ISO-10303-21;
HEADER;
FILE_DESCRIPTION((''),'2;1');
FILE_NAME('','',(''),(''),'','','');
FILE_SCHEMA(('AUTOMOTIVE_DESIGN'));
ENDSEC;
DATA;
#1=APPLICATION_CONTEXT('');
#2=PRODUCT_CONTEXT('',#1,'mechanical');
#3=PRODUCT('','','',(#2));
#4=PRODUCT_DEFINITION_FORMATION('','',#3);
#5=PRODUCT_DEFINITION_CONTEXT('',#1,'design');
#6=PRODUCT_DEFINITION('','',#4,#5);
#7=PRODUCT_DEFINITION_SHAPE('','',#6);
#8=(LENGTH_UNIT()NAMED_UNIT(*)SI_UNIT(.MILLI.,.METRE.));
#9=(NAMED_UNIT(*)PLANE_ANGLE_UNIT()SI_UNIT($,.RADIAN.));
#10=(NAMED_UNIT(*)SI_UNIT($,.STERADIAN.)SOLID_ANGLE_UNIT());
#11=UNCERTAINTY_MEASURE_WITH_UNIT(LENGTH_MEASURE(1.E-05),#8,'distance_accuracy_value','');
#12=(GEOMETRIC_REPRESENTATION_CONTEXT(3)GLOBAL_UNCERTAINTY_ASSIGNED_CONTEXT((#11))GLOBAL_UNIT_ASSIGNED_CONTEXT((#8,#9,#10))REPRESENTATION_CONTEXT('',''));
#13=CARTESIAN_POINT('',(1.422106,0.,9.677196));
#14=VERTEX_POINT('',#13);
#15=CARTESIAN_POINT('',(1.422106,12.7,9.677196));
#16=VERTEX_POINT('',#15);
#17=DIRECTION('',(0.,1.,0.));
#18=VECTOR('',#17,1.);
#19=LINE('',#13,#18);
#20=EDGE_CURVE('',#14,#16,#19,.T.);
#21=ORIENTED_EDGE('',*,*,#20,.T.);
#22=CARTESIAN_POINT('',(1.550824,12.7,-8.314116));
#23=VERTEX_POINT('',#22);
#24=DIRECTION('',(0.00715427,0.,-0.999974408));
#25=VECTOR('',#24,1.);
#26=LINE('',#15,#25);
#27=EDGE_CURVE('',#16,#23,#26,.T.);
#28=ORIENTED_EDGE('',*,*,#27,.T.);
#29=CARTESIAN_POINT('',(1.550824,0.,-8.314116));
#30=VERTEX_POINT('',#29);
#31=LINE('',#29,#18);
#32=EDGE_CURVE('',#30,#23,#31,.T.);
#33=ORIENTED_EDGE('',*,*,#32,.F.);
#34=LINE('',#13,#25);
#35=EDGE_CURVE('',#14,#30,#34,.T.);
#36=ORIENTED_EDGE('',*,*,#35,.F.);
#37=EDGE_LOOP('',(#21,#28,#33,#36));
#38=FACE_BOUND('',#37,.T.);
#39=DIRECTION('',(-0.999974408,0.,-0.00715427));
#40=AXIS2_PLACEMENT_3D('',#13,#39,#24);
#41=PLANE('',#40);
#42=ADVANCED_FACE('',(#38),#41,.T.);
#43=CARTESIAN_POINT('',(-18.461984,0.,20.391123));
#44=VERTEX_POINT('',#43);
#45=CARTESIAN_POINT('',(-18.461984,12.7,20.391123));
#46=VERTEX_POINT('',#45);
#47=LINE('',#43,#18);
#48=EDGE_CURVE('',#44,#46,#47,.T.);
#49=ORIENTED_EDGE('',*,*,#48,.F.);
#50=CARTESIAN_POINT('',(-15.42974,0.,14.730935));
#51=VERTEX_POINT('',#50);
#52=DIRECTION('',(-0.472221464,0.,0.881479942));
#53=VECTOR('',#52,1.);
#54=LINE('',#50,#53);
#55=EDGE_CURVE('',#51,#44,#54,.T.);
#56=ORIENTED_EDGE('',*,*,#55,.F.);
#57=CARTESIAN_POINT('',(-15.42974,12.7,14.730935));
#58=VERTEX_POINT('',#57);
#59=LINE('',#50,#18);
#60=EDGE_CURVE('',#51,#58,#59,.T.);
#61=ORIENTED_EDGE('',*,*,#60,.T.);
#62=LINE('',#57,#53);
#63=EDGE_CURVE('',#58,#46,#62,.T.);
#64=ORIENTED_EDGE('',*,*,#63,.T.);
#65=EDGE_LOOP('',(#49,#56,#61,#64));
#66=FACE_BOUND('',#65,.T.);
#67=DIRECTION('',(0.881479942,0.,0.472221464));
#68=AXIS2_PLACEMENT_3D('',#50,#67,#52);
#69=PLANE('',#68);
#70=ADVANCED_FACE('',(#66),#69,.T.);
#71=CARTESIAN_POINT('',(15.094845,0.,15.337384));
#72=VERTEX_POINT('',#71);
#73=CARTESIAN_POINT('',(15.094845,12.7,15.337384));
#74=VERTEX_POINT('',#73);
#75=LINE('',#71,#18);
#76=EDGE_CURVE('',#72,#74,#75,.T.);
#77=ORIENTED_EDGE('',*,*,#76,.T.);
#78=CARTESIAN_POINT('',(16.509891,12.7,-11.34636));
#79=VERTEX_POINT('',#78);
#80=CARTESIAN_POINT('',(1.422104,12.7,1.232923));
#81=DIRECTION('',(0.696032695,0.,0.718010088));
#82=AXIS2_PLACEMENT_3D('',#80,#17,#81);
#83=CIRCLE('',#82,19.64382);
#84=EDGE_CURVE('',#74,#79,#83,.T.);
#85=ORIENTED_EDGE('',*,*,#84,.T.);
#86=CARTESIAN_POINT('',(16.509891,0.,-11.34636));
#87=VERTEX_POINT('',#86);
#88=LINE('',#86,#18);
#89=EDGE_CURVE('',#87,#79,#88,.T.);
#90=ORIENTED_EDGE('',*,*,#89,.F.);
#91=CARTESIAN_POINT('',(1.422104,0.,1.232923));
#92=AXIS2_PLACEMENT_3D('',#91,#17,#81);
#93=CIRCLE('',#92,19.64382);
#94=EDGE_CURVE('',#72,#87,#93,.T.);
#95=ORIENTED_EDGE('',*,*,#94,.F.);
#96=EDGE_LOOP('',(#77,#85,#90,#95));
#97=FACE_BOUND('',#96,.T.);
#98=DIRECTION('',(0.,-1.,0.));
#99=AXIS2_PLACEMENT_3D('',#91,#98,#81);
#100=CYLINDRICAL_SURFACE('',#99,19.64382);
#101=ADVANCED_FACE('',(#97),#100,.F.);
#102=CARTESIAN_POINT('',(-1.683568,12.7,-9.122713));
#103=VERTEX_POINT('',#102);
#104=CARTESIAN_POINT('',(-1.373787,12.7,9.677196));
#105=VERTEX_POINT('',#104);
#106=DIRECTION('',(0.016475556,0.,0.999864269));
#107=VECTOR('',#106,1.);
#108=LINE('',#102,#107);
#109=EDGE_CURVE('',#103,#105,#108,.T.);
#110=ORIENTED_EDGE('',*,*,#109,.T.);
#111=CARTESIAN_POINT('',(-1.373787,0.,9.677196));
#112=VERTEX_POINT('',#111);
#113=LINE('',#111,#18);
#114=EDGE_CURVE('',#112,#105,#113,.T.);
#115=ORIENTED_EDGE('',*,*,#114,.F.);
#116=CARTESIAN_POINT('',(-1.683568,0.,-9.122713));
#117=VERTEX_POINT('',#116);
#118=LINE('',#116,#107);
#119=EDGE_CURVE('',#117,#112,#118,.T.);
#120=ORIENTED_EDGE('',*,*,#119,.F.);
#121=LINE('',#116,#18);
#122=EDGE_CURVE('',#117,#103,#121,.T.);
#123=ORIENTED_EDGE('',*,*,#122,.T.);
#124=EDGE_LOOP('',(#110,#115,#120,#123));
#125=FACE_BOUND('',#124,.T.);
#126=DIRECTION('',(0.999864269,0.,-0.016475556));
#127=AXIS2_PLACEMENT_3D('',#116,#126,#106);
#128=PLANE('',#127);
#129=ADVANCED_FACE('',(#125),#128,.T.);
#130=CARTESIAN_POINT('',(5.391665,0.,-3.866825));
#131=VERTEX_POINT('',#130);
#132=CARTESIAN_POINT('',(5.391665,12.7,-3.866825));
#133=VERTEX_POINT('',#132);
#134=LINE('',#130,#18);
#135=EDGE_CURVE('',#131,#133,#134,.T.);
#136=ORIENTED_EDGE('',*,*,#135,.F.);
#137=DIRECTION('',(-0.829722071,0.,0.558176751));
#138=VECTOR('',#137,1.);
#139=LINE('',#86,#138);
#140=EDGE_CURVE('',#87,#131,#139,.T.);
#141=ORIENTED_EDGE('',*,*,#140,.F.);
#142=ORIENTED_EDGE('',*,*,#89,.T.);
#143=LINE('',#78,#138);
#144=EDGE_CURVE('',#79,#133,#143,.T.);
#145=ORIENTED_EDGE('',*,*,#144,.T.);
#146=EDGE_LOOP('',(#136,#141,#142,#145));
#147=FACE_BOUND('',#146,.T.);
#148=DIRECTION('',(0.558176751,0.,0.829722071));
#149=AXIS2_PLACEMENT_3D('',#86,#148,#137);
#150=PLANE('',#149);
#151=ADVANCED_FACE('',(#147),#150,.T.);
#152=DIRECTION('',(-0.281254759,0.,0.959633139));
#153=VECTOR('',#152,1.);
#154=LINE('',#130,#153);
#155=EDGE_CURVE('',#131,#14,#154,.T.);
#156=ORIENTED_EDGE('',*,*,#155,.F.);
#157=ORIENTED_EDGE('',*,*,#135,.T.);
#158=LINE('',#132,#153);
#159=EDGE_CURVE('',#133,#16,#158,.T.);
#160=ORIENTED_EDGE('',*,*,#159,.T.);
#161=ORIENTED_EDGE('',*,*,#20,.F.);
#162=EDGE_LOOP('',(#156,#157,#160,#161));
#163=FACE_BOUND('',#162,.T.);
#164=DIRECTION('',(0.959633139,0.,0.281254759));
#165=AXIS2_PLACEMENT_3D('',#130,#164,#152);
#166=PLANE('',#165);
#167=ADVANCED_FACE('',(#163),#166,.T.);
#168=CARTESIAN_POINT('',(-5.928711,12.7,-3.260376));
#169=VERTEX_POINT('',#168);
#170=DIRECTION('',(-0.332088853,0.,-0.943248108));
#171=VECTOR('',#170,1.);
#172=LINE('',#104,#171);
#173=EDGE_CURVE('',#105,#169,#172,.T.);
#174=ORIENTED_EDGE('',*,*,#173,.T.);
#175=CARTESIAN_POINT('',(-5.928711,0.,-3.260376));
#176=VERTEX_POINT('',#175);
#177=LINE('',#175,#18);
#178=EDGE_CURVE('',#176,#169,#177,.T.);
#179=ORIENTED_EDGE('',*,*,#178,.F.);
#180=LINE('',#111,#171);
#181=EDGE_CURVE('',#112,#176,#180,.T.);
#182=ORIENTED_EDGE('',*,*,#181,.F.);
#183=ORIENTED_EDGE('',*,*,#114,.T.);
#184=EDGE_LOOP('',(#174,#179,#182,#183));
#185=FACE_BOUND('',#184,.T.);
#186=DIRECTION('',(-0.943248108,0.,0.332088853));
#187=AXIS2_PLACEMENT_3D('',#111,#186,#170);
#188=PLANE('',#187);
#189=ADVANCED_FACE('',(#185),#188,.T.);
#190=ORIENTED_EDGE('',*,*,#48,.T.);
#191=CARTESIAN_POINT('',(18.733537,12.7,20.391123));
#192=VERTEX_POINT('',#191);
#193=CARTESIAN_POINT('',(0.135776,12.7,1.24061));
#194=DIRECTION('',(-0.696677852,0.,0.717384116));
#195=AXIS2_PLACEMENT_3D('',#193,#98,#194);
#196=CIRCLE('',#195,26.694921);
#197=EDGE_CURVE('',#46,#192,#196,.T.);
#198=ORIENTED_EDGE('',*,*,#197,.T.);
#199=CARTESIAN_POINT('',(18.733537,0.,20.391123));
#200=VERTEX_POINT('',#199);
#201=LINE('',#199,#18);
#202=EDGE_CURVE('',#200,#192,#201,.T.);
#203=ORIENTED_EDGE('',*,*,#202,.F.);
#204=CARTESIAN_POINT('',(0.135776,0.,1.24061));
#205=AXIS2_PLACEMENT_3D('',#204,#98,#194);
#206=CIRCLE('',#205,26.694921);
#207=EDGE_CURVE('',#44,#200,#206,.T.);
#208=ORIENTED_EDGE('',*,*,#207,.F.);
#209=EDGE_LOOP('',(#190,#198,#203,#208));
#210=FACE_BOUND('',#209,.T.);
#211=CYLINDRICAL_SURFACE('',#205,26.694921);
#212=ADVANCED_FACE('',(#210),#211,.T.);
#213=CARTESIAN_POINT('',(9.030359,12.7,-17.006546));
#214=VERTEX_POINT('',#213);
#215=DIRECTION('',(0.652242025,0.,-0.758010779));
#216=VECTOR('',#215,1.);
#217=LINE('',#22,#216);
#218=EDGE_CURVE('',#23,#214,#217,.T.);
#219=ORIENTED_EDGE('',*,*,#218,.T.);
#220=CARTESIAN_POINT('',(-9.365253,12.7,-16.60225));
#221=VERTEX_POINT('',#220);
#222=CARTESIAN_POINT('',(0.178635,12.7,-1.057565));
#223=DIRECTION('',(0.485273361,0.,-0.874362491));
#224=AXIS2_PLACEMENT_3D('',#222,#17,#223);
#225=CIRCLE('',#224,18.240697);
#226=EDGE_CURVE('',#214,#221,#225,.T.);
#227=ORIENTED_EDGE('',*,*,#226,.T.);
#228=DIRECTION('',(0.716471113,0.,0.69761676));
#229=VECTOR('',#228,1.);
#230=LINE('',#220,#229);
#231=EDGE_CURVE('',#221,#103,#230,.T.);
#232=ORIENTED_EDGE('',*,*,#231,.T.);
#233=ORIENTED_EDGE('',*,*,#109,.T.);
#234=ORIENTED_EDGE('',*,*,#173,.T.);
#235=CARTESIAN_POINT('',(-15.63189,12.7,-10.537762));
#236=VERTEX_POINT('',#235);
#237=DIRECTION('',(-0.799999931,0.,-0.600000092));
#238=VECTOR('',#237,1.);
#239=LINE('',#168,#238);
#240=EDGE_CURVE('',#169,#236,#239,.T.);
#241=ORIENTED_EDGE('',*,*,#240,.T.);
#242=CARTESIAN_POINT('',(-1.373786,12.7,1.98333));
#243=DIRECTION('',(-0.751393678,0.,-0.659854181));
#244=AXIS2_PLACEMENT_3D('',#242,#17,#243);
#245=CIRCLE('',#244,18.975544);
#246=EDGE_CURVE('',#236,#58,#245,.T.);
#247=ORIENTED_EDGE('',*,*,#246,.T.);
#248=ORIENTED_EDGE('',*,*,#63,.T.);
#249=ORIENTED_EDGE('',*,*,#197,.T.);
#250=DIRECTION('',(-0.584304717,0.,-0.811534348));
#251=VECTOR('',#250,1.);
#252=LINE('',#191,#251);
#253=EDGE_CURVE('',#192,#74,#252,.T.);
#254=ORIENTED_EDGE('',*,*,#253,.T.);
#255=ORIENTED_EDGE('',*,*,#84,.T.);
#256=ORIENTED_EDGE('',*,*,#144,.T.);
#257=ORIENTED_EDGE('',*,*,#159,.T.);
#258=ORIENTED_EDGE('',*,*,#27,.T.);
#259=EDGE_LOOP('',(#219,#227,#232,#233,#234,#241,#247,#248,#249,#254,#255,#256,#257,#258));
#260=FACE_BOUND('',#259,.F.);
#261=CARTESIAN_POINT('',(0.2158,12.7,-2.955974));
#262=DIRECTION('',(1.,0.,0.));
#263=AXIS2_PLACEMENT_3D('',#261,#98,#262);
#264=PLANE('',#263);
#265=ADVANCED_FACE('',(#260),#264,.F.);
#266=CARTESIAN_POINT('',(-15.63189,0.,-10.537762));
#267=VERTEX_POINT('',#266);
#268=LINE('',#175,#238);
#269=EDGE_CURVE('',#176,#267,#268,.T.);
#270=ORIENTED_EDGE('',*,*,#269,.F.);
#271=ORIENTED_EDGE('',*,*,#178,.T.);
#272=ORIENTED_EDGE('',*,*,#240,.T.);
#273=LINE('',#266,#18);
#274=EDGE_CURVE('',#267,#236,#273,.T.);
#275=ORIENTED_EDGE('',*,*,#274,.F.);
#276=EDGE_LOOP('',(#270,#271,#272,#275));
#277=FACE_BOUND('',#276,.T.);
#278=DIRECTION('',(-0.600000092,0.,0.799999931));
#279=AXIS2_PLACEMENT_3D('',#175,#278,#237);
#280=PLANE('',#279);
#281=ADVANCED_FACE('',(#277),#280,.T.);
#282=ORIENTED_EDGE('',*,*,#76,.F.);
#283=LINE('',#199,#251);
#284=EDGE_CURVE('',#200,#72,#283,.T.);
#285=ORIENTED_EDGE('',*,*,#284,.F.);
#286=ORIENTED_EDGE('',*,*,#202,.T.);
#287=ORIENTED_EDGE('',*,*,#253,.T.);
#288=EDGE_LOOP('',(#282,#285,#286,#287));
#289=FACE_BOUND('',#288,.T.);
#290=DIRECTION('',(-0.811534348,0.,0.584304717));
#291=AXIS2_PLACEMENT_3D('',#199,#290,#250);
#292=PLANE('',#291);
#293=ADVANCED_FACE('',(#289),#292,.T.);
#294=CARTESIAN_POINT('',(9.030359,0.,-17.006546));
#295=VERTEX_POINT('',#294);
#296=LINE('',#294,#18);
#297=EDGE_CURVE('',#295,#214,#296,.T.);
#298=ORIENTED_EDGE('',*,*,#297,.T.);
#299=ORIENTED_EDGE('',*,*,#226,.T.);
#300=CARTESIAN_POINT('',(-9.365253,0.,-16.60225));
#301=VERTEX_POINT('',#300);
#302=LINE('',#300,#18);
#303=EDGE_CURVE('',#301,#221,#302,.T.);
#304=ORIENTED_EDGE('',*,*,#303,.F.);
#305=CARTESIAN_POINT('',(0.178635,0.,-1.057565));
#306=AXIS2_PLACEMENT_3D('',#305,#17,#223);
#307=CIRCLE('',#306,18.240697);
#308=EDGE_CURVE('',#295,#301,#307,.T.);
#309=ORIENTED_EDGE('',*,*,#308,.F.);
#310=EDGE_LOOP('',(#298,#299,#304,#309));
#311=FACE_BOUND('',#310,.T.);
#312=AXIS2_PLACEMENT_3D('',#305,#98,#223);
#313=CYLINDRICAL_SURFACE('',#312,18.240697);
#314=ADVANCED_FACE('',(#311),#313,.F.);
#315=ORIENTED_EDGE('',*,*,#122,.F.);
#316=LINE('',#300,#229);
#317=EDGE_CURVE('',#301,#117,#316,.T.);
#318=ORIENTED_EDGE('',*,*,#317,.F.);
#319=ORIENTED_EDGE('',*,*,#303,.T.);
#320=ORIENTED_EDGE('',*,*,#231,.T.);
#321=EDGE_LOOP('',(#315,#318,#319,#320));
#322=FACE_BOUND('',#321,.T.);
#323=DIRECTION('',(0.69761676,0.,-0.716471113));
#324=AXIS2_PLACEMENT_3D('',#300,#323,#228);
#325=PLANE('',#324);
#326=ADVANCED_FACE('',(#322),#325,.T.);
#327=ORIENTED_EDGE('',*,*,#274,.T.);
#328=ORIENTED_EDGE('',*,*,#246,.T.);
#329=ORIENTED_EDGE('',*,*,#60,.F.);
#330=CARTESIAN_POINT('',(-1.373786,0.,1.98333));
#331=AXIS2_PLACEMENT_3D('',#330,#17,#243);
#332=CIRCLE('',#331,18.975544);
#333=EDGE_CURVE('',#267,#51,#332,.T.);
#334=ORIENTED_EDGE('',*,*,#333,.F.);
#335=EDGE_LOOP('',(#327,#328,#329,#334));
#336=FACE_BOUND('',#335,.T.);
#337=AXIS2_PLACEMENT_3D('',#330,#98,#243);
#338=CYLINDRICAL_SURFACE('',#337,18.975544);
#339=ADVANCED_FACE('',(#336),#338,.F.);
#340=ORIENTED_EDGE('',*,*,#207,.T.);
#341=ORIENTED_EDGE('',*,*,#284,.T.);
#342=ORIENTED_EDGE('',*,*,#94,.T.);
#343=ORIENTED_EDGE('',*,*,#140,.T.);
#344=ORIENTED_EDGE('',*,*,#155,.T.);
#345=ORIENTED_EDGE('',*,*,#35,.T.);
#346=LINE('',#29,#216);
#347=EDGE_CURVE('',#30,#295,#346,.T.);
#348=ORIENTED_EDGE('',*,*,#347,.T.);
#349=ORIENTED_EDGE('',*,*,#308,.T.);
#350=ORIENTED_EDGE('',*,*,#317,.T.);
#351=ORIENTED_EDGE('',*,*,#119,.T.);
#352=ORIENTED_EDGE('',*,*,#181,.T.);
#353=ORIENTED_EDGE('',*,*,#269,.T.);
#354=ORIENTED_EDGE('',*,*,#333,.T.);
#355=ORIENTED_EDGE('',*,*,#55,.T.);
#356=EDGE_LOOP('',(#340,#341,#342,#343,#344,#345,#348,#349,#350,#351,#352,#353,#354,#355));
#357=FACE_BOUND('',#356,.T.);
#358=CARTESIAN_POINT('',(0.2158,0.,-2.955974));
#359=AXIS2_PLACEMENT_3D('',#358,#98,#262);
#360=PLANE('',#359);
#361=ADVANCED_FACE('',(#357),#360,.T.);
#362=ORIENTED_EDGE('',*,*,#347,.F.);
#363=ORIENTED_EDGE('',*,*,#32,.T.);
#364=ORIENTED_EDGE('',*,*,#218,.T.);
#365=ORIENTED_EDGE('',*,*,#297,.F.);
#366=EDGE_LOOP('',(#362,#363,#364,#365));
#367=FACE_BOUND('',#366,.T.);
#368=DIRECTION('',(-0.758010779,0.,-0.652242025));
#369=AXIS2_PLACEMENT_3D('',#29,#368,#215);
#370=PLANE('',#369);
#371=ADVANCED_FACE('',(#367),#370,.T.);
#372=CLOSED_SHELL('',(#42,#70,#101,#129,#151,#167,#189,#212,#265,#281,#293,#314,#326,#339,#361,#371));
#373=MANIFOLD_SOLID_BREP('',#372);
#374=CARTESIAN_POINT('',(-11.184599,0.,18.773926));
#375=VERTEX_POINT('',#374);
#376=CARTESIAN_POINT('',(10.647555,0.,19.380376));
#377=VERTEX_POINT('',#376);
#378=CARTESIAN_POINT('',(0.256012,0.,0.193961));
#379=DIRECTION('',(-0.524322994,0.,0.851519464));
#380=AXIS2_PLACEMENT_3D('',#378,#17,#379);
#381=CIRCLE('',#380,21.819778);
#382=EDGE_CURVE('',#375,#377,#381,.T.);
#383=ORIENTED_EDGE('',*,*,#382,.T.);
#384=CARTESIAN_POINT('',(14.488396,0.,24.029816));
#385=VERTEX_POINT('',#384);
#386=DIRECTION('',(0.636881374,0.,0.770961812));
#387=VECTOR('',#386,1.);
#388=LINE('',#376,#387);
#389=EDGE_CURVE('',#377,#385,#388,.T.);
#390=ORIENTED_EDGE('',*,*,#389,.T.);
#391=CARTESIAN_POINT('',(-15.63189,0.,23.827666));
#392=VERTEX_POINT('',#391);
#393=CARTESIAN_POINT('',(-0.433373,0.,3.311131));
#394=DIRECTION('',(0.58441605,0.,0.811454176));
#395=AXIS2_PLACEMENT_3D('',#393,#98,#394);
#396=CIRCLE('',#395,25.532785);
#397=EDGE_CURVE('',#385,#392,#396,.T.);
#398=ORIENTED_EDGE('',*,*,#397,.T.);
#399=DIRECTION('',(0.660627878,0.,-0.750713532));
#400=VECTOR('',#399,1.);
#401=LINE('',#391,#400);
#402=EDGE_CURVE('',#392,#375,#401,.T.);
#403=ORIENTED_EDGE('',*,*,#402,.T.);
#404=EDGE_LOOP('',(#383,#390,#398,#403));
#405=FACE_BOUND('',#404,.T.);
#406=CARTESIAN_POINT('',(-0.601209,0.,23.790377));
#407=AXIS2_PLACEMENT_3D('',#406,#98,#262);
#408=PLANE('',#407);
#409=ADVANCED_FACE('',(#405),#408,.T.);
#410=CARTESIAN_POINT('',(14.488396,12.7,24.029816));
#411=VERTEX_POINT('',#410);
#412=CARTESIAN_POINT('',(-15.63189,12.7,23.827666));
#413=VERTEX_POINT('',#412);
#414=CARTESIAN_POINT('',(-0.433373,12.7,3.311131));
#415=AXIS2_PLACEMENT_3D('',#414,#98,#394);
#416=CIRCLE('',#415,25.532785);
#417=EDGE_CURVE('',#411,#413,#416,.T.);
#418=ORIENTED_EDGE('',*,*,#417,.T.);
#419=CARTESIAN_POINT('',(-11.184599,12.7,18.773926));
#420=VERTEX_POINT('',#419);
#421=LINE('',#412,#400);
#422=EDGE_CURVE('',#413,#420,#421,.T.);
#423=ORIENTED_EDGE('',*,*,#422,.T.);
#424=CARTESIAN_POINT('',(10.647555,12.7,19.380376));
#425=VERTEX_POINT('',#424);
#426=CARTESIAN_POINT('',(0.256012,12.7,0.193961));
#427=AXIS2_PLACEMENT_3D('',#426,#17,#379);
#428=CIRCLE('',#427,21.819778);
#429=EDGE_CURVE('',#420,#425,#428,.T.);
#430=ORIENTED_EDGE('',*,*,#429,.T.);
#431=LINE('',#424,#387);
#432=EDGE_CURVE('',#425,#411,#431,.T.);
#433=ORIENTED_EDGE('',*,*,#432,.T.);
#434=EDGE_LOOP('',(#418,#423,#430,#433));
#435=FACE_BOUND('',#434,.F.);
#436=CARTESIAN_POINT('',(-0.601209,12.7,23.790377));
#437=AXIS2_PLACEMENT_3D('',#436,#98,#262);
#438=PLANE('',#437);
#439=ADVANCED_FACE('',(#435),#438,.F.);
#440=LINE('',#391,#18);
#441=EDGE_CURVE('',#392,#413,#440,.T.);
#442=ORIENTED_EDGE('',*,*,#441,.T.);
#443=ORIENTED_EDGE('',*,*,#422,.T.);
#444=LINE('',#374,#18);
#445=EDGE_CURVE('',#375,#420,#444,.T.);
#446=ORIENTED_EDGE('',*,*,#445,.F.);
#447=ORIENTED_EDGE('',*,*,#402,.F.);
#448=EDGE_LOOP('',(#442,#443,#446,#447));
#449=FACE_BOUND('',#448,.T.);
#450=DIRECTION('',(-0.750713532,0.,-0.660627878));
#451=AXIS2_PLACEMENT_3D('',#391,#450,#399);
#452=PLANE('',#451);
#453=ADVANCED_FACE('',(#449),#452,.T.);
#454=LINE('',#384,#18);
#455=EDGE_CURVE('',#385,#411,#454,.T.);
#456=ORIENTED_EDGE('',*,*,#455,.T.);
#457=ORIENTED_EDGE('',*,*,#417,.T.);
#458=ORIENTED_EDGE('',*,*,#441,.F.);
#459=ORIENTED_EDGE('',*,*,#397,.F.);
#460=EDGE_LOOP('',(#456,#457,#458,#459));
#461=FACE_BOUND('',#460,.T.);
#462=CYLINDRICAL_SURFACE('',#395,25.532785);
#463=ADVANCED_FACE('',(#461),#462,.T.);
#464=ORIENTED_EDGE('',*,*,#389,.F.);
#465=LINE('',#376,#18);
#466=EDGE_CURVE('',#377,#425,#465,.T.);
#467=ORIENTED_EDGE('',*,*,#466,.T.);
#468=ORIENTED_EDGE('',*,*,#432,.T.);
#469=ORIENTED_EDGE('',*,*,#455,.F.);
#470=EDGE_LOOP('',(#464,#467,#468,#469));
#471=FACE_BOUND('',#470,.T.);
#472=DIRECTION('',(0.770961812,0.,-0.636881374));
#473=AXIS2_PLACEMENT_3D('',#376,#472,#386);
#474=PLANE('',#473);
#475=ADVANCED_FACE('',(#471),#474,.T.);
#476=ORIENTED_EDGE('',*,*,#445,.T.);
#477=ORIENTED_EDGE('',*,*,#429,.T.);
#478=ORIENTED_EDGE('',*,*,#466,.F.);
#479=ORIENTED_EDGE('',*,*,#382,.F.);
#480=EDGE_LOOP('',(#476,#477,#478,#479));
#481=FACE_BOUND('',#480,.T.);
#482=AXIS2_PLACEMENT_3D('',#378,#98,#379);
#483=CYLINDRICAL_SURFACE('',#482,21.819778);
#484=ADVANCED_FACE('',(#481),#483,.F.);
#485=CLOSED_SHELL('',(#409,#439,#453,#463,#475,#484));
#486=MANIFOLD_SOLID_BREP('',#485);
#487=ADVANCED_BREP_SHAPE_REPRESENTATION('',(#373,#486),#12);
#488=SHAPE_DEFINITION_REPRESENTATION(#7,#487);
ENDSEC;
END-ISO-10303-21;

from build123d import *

# Parameters (mm, degrees)
F1_DEPTH = 12.7


with BuildPart() as f1:
    # F0 (on Front) → F1 (new body)
    with BuildSketch(Plane.XZ):
        with BuildLine():
            ThreePointArc((-11.184599, 18.773926), (-0.34986, 22.005325), (10.647555, 19.380376))
            Line((10.647555, 19.380376), (14.488396, 24.029816))
            ThreePointArc((14.488396, 24.029816), (-0.604731, 28.843341), (-15.63189, 23.827666))
            Line((-15.63189, 23.827666), (-11.184599, 18.773926))
        make_face()
        with BuildLine():
            ThreePointArc((-15.63189, -10.537762), (-20.348723, 2.13513), (-15.42974, 14.730935))
            Line((-15.42974, 14.730935), (-18.461984, 20.391123))
            ThreePointArc((-18.461984, 20.391123), (0.135777, -25.454311), (18.733537, 20.391123))
            Line((18.733537, 20.391123), (15.094845, 15.337384))
            ThreePointArc((15.094845, 15.337384), (21.038361, 2.273178), (16.509891, -11.34636))
            Line((16.509891, -11.34636), (5.391665, -3.866825))
            Line((5.391665, -3.866825), (1.422106, 9.677196))
            Line((1.422106, 9.677196), (1.550824, -8.314116))
            Line((1.550824, -8.314116), (9.030359, -17.006546))
            ThreePointArc((9.030359, -17.006546), (-0.22216, -19.293858), (-9.365253, -16.60225))
            Line((-9.365253, -16.60225), (-1.683568, -9.122713))
            Line((-1.683568, -9.122713), (-1.373787, 9.677196))
            Line((-1.373787, 9.677196), (-5.928711, -3.260376))
            Line((-5.928711, -3.260376), (-15.63189, -10.537762))
        make_face()
    extrude(amount=-F1_DEPTH)


solid = f1.part
